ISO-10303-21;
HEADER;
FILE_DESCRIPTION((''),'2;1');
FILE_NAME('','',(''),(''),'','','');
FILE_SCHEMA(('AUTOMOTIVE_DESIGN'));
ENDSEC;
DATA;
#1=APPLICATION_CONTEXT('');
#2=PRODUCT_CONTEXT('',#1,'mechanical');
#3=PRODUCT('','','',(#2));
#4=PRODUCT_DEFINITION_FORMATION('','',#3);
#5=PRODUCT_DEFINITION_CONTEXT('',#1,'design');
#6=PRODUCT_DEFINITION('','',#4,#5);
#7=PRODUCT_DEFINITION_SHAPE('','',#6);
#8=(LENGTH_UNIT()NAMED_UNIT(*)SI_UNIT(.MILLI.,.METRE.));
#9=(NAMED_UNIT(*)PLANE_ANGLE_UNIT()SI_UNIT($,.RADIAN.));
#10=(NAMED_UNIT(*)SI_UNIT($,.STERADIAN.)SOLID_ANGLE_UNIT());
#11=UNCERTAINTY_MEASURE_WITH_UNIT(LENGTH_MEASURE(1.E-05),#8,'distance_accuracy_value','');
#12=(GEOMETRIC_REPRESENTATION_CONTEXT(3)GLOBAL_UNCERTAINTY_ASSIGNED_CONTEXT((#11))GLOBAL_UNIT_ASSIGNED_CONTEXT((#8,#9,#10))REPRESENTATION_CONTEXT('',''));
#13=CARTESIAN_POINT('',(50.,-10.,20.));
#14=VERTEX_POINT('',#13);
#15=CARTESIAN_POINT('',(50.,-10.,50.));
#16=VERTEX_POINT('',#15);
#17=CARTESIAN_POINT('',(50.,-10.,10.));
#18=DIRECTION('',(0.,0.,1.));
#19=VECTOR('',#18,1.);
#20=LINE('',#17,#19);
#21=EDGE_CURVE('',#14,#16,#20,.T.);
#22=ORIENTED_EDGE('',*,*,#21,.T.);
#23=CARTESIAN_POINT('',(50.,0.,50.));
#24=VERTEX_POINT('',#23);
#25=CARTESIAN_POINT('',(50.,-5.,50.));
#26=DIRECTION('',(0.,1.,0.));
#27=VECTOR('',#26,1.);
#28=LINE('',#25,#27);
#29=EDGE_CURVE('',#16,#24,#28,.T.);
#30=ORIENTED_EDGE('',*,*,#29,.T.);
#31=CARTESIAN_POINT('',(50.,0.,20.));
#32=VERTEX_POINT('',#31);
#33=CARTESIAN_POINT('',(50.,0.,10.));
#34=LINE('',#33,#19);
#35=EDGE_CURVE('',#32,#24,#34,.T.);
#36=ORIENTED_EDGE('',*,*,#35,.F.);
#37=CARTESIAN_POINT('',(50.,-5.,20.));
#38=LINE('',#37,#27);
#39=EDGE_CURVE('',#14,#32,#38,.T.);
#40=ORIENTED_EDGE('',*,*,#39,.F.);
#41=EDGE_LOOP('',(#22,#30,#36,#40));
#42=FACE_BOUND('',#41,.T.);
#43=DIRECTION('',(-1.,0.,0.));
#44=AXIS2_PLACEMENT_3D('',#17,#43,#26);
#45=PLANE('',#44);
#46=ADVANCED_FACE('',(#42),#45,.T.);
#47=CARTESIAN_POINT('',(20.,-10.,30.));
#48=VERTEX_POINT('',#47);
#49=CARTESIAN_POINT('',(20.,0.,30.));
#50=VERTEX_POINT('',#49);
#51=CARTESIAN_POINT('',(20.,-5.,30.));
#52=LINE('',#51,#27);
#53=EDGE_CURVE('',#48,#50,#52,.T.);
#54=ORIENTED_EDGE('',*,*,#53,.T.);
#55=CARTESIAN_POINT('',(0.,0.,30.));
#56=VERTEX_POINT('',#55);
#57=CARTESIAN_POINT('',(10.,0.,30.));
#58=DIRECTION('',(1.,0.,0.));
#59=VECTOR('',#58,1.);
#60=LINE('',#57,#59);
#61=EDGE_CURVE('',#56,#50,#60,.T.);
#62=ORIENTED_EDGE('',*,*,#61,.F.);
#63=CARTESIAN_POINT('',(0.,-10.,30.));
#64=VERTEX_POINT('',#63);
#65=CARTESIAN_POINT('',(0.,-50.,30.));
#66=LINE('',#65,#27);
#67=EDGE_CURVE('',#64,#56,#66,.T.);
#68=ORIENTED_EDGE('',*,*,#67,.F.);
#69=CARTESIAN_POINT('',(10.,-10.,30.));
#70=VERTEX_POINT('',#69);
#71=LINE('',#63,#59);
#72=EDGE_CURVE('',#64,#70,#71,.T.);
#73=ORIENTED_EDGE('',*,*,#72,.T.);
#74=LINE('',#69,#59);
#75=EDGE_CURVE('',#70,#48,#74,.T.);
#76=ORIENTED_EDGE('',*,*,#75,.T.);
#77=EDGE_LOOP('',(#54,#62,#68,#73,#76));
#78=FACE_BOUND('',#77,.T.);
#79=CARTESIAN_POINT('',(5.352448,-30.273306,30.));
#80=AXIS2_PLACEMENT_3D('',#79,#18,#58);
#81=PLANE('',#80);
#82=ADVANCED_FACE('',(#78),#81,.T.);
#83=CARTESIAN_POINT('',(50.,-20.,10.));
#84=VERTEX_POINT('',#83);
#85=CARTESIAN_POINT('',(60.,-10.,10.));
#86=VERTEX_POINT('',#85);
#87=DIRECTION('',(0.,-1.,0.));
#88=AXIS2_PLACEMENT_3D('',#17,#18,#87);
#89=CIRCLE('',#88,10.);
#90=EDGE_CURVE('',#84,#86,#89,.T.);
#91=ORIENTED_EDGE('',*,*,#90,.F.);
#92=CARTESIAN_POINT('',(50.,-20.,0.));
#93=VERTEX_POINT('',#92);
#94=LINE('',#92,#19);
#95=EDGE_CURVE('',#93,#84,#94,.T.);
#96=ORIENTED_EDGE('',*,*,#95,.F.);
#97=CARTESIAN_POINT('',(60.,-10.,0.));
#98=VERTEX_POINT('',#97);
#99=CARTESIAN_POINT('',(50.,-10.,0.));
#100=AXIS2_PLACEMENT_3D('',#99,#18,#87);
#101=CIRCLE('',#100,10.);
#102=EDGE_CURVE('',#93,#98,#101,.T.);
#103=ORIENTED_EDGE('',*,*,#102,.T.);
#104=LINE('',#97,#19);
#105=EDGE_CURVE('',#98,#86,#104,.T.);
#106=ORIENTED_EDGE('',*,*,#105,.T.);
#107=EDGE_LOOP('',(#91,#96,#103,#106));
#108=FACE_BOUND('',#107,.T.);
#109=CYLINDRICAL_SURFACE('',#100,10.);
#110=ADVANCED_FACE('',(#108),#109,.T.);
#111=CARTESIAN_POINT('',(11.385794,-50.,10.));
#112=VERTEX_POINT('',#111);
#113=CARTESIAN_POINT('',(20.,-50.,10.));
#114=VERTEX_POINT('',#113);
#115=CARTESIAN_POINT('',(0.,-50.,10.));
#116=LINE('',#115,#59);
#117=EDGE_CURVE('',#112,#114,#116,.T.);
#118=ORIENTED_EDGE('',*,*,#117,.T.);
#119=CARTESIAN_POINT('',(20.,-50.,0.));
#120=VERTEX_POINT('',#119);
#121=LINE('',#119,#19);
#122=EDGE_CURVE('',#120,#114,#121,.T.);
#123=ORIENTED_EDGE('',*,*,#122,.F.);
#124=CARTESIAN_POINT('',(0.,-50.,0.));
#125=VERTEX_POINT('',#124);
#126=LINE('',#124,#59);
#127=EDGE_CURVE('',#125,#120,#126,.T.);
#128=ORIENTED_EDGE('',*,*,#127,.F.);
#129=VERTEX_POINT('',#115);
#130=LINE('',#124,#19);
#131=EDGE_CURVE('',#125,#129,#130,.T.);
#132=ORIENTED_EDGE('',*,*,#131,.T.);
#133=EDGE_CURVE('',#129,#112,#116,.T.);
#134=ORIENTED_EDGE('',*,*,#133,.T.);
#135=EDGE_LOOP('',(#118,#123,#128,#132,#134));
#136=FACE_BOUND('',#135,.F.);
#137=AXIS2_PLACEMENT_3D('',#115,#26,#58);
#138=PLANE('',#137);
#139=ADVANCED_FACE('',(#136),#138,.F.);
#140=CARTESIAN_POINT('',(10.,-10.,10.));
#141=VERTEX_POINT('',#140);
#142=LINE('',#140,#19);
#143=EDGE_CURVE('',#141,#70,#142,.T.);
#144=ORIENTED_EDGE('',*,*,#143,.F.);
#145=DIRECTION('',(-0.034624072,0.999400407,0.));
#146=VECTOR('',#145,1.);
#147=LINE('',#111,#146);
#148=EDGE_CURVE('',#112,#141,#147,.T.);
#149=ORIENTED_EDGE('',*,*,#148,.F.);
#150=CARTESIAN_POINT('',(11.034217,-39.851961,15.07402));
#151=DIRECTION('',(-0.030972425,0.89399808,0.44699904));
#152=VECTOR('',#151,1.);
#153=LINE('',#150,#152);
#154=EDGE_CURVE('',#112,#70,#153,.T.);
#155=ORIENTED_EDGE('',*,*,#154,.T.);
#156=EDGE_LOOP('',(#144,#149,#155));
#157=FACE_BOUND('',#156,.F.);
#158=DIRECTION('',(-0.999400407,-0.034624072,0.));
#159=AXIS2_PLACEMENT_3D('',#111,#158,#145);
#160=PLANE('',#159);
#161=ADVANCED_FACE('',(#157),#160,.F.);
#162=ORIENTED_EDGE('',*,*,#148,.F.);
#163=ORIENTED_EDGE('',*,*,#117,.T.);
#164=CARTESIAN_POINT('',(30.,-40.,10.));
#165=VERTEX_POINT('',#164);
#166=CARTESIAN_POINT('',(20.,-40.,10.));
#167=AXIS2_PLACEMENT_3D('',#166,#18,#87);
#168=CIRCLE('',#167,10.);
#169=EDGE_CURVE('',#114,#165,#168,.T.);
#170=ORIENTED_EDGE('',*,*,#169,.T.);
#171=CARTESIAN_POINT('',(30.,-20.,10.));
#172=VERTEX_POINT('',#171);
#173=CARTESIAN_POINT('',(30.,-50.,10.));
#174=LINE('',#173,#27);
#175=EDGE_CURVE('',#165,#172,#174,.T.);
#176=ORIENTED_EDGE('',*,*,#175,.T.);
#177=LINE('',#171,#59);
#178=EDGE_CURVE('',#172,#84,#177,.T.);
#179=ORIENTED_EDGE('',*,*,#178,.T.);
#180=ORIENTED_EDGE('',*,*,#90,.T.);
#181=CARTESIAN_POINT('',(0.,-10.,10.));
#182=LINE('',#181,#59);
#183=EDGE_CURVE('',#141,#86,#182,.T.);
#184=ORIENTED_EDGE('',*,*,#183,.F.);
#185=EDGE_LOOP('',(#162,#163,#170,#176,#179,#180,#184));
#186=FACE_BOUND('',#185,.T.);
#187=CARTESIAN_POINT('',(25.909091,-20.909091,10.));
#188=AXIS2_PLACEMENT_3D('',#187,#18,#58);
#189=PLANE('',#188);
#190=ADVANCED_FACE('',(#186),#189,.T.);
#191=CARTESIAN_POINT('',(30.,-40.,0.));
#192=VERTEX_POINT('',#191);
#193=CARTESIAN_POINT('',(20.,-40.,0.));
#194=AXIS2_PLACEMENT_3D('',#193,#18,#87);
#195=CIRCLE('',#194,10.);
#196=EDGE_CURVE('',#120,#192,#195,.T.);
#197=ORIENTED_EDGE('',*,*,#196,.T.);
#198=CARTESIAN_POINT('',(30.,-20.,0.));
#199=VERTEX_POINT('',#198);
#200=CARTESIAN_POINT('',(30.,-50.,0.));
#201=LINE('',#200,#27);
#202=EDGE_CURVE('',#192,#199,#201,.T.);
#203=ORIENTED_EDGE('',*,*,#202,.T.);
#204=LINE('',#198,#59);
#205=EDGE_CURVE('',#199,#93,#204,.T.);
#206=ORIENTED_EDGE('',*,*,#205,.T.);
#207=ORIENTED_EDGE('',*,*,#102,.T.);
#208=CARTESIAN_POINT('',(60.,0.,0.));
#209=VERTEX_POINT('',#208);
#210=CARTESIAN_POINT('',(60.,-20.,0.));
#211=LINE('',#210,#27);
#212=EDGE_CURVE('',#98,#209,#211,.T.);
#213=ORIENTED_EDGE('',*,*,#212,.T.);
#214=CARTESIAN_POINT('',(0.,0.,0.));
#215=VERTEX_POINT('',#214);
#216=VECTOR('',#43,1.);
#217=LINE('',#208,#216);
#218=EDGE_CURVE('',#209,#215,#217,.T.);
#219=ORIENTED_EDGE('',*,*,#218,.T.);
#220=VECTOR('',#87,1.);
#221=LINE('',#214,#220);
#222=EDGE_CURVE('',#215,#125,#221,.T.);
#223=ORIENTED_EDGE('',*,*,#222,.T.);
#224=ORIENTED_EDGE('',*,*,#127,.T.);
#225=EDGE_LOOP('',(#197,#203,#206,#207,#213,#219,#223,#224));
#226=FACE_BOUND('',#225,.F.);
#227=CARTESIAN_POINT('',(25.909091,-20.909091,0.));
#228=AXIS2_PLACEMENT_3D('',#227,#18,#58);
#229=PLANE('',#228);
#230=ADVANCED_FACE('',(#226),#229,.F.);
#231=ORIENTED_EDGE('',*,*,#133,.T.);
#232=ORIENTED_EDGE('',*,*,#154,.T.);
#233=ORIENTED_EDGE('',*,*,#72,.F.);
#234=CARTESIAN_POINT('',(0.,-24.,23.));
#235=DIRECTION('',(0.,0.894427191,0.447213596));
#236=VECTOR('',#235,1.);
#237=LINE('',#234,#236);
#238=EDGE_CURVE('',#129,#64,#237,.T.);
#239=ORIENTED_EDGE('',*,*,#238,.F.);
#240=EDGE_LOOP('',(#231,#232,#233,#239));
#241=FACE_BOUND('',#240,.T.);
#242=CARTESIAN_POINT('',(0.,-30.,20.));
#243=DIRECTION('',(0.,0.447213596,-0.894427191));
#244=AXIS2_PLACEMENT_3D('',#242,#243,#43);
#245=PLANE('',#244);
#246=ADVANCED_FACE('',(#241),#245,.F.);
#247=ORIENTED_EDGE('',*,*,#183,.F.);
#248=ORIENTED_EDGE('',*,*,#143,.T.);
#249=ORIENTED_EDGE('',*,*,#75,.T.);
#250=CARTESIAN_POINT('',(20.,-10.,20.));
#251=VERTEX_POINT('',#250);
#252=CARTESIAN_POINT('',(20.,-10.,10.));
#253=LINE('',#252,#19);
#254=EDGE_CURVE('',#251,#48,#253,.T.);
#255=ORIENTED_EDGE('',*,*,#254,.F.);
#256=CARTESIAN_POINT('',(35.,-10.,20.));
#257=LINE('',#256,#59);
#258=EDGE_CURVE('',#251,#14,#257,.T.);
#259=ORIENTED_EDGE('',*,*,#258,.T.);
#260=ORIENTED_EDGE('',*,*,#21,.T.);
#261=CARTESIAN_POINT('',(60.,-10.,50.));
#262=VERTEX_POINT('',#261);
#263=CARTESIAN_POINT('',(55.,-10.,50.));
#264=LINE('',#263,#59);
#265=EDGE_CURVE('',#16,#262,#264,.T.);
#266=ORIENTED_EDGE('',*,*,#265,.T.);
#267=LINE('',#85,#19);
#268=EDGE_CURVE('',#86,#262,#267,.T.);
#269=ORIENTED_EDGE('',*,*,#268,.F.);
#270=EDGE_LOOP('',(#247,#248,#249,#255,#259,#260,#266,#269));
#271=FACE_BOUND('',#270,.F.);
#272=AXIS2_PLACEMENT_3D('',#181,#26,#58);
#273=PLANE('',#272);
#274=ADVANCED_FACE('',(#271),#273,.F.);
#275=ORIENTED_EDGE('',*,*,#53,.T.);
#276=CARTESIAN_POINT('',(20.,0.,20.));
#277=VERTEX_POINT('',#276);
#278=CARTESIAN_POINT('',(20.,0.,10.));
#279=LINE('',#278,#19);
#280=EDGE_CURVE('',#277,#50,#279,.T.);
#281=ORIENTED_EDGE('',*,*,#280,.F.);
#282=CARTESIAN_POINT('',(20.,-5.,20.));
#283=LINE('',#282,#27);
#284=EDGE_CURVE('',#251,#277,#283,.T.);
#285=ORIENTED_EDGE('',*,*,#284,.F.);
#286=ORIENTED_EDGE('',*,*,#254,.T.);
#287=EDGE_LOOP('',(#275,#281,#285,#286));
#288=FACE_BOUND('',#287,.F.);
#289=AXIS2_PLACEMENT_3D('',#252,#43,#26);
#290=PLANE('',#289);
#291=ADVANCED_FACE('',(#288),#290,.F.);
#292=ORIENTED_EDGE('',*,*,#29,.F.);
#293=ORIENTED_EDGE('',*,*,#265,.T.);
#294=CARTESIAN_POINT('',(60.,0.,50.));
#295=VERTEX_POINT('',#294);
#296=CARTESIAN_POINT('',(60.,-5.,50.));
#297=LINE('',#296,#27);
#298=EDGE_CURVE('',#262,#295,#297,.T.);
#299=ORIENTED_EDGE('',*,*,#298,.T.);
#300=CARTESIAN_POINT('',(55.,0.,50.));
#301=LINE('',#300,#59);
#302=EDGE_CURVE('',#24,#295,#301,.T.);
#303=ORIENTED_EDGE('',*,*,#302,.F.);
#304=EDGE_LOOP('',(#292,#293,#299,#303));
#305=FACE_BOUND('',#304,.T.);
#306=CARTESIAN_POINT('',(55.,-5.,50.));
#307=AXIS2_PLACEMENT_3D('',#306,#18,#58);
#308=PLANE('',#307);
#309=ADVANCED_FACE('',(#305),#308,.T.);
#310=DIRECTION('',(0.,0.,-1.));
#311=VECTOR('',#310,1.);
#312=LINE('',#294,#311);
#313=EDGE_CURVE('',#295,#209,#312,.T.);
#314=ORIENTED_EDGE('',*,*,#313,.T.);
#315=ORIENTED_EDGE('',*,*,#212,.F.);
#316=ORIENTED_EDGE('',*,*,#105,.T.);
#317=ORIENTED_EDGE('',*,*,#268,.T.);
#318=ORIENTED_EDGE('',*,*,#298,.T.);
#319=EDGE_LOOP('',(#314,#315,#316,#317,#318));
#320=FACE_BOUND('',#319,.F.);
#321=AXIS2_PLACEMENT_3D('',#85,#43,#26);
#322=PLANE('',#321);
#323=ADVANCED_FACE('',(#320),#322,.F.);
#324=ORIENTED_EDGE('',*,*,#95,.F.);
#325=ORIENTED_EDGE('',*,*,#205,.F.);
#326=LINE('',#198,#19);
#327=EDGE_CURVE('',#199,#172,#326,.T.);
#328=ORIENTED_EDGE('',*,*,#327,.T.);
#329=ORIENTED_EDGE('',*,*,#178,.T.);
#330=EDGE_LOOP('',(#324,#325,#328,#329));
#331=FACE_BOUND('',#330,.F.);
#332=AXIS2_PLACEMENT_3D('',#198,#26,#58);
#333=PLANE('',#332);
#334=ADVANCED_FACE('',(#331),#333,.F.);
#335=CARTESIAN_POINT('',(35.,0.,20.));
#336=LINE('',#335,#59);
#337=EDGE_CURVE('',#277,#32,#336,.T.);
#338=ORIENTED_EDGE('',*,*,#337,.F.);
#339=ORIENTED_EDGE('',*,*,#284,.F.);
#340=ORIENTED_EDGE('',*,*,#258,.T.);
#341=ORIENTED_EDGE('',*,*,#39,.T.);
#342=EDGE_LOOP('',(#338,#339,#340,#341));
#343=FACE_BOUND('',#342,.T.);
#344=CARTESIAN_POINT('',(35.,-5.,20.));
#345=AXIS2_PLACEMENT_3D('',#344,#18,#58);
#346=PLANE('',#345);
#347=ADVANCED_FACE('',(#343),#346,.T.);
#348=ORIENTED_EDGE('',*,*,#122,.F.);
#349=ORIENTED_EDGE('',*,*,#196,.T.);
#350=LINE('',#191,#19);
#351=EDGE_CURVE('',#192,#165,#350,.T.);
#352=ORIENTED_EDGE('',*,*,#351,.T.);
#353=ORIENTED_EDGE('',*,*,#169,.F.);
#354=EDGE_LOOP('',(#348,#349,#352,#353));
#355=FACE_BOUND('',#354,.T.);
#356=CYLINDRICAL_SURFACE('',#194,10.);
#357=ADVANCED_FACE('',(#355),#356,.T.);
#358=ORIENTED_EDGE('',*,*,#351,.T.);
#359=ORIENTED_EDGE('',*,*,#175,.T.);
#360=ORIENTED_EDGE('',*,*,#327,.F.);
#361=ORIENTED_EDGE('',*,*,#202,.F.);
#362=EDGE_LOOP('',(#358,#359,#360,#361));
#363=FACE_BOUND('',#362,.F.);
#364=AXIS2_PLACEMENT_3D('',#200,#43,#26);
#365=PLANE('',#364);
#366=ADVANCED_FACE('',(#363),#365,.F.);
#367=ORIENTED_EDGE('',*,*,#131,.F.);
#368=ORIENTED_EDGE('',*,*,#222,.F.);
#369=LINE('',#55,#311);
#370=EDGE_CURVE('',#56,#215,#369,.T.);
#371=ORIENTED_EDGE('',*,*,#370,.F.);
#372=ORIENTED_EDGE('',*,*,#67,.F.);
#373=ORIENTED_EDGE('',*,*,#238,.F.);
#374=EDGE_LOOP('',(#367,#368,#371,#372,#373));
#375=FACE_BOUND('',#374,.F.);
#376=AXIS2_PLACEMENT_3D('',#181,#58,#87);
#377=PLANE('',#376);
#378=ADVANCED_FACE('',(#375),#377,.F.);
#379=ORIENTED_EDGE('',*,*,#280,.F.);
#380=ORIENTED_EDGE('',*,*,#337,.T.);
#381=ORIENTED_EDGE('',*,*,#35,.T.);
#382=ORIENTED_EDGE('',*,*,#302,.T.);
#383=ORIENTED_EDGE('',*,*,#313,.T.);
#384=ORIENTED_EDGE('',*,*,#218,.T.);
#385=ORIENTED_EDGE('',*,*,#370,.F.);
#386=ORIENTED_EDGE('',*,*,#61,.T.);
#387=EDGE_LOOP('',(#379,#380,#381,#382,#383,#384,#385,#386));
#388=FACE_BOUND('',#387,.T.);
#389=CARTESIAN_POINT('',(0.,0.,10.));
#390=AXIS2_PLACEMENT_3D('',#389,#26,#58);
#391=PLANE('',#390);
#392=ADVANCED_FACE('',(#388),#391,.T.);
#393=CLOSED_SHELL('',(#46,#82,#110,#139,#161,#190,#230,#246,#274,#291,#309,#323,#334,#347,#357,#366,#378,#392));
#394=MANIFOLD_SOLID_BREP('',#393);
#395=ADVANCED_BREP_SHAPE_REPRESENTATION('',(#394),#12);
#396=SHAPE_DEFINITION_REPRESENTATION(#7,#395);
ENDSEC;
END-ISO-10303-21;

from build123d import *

# Parameters (mm, degrees)
F1_DEPTH  = 10
F2_R      = 10
F3_W      = 10
F3_H      = 10
F4_DEPTH  = 40
F5_W      = 30
F5_H      = 10
F6_DEPTH  = 10
F7_W      = 20
F7_H      = 10
F8_DEPTH  = 20
F10_DEPTH = 20
F11_SIZE2 = 40
F11_SIZE  = 20


with BuildPart() as f1:
    # F0 (on Top) → F1 (new body)
    with BuildSketch(Plane.XY):
        Polygon((60, 0), (0, 0), (0, -50), (30, -50), (30, -20), (60, -20), align=None)
    extrude(amount=F1_DEPTH)

    # F2
    f2_edges = [f1.edges().sort_by_distance(p)[0] for p in [
        (30, -50, 5),
        (60, -20, 5),
    ]]
    fillet(f2_edges, radius=F2_R)

    # F3 (on face) → F4 (join)
    with BuildSketch(Plane.XY.offset(10)):
        with Locations((55, -5)):
            Rectangle(F3_W, F3_H)
    extrude(amount=F4_DEPTH)

    # F5 (on face) → F6 (join)
    with BuildSketch(Plane.XY.offset(10)):
        with Locations((35, -5)):
            Rectangle(F5_W, F5_H)
    extrude(amount=F6_DEPTH)

    # F7 (on face) → F8 (join)
    with BuildSketch(Plane.XY.offset(10)):
        with Locations((10, -5)):
            Rectangle(F7_W, F7_H)
    extrude(amount=F8_DEPTH)

    # F9 (on face) → F10 (join)
    with BuildSketch(Plane.XY.offset(10)):
        Polygon((10, -10), (0, -10), (0, -50), (11.3857937977, -50), align=None)
    extrude(amount=F10_DEPTH)

    # F11
    f11_edges = [f1.edges().sort_by_distance(p)[0] for p in [
        (5.692897, -50, 30),
    ]]
    f11_side = f1.faces().sort_by_distance((7.706899, -50, 12.985998))[0]
    chamfer(f11_edges, length=F11_SIZE, length2=F11_SIZE2, reference=f11_side)


solid = f1.part
